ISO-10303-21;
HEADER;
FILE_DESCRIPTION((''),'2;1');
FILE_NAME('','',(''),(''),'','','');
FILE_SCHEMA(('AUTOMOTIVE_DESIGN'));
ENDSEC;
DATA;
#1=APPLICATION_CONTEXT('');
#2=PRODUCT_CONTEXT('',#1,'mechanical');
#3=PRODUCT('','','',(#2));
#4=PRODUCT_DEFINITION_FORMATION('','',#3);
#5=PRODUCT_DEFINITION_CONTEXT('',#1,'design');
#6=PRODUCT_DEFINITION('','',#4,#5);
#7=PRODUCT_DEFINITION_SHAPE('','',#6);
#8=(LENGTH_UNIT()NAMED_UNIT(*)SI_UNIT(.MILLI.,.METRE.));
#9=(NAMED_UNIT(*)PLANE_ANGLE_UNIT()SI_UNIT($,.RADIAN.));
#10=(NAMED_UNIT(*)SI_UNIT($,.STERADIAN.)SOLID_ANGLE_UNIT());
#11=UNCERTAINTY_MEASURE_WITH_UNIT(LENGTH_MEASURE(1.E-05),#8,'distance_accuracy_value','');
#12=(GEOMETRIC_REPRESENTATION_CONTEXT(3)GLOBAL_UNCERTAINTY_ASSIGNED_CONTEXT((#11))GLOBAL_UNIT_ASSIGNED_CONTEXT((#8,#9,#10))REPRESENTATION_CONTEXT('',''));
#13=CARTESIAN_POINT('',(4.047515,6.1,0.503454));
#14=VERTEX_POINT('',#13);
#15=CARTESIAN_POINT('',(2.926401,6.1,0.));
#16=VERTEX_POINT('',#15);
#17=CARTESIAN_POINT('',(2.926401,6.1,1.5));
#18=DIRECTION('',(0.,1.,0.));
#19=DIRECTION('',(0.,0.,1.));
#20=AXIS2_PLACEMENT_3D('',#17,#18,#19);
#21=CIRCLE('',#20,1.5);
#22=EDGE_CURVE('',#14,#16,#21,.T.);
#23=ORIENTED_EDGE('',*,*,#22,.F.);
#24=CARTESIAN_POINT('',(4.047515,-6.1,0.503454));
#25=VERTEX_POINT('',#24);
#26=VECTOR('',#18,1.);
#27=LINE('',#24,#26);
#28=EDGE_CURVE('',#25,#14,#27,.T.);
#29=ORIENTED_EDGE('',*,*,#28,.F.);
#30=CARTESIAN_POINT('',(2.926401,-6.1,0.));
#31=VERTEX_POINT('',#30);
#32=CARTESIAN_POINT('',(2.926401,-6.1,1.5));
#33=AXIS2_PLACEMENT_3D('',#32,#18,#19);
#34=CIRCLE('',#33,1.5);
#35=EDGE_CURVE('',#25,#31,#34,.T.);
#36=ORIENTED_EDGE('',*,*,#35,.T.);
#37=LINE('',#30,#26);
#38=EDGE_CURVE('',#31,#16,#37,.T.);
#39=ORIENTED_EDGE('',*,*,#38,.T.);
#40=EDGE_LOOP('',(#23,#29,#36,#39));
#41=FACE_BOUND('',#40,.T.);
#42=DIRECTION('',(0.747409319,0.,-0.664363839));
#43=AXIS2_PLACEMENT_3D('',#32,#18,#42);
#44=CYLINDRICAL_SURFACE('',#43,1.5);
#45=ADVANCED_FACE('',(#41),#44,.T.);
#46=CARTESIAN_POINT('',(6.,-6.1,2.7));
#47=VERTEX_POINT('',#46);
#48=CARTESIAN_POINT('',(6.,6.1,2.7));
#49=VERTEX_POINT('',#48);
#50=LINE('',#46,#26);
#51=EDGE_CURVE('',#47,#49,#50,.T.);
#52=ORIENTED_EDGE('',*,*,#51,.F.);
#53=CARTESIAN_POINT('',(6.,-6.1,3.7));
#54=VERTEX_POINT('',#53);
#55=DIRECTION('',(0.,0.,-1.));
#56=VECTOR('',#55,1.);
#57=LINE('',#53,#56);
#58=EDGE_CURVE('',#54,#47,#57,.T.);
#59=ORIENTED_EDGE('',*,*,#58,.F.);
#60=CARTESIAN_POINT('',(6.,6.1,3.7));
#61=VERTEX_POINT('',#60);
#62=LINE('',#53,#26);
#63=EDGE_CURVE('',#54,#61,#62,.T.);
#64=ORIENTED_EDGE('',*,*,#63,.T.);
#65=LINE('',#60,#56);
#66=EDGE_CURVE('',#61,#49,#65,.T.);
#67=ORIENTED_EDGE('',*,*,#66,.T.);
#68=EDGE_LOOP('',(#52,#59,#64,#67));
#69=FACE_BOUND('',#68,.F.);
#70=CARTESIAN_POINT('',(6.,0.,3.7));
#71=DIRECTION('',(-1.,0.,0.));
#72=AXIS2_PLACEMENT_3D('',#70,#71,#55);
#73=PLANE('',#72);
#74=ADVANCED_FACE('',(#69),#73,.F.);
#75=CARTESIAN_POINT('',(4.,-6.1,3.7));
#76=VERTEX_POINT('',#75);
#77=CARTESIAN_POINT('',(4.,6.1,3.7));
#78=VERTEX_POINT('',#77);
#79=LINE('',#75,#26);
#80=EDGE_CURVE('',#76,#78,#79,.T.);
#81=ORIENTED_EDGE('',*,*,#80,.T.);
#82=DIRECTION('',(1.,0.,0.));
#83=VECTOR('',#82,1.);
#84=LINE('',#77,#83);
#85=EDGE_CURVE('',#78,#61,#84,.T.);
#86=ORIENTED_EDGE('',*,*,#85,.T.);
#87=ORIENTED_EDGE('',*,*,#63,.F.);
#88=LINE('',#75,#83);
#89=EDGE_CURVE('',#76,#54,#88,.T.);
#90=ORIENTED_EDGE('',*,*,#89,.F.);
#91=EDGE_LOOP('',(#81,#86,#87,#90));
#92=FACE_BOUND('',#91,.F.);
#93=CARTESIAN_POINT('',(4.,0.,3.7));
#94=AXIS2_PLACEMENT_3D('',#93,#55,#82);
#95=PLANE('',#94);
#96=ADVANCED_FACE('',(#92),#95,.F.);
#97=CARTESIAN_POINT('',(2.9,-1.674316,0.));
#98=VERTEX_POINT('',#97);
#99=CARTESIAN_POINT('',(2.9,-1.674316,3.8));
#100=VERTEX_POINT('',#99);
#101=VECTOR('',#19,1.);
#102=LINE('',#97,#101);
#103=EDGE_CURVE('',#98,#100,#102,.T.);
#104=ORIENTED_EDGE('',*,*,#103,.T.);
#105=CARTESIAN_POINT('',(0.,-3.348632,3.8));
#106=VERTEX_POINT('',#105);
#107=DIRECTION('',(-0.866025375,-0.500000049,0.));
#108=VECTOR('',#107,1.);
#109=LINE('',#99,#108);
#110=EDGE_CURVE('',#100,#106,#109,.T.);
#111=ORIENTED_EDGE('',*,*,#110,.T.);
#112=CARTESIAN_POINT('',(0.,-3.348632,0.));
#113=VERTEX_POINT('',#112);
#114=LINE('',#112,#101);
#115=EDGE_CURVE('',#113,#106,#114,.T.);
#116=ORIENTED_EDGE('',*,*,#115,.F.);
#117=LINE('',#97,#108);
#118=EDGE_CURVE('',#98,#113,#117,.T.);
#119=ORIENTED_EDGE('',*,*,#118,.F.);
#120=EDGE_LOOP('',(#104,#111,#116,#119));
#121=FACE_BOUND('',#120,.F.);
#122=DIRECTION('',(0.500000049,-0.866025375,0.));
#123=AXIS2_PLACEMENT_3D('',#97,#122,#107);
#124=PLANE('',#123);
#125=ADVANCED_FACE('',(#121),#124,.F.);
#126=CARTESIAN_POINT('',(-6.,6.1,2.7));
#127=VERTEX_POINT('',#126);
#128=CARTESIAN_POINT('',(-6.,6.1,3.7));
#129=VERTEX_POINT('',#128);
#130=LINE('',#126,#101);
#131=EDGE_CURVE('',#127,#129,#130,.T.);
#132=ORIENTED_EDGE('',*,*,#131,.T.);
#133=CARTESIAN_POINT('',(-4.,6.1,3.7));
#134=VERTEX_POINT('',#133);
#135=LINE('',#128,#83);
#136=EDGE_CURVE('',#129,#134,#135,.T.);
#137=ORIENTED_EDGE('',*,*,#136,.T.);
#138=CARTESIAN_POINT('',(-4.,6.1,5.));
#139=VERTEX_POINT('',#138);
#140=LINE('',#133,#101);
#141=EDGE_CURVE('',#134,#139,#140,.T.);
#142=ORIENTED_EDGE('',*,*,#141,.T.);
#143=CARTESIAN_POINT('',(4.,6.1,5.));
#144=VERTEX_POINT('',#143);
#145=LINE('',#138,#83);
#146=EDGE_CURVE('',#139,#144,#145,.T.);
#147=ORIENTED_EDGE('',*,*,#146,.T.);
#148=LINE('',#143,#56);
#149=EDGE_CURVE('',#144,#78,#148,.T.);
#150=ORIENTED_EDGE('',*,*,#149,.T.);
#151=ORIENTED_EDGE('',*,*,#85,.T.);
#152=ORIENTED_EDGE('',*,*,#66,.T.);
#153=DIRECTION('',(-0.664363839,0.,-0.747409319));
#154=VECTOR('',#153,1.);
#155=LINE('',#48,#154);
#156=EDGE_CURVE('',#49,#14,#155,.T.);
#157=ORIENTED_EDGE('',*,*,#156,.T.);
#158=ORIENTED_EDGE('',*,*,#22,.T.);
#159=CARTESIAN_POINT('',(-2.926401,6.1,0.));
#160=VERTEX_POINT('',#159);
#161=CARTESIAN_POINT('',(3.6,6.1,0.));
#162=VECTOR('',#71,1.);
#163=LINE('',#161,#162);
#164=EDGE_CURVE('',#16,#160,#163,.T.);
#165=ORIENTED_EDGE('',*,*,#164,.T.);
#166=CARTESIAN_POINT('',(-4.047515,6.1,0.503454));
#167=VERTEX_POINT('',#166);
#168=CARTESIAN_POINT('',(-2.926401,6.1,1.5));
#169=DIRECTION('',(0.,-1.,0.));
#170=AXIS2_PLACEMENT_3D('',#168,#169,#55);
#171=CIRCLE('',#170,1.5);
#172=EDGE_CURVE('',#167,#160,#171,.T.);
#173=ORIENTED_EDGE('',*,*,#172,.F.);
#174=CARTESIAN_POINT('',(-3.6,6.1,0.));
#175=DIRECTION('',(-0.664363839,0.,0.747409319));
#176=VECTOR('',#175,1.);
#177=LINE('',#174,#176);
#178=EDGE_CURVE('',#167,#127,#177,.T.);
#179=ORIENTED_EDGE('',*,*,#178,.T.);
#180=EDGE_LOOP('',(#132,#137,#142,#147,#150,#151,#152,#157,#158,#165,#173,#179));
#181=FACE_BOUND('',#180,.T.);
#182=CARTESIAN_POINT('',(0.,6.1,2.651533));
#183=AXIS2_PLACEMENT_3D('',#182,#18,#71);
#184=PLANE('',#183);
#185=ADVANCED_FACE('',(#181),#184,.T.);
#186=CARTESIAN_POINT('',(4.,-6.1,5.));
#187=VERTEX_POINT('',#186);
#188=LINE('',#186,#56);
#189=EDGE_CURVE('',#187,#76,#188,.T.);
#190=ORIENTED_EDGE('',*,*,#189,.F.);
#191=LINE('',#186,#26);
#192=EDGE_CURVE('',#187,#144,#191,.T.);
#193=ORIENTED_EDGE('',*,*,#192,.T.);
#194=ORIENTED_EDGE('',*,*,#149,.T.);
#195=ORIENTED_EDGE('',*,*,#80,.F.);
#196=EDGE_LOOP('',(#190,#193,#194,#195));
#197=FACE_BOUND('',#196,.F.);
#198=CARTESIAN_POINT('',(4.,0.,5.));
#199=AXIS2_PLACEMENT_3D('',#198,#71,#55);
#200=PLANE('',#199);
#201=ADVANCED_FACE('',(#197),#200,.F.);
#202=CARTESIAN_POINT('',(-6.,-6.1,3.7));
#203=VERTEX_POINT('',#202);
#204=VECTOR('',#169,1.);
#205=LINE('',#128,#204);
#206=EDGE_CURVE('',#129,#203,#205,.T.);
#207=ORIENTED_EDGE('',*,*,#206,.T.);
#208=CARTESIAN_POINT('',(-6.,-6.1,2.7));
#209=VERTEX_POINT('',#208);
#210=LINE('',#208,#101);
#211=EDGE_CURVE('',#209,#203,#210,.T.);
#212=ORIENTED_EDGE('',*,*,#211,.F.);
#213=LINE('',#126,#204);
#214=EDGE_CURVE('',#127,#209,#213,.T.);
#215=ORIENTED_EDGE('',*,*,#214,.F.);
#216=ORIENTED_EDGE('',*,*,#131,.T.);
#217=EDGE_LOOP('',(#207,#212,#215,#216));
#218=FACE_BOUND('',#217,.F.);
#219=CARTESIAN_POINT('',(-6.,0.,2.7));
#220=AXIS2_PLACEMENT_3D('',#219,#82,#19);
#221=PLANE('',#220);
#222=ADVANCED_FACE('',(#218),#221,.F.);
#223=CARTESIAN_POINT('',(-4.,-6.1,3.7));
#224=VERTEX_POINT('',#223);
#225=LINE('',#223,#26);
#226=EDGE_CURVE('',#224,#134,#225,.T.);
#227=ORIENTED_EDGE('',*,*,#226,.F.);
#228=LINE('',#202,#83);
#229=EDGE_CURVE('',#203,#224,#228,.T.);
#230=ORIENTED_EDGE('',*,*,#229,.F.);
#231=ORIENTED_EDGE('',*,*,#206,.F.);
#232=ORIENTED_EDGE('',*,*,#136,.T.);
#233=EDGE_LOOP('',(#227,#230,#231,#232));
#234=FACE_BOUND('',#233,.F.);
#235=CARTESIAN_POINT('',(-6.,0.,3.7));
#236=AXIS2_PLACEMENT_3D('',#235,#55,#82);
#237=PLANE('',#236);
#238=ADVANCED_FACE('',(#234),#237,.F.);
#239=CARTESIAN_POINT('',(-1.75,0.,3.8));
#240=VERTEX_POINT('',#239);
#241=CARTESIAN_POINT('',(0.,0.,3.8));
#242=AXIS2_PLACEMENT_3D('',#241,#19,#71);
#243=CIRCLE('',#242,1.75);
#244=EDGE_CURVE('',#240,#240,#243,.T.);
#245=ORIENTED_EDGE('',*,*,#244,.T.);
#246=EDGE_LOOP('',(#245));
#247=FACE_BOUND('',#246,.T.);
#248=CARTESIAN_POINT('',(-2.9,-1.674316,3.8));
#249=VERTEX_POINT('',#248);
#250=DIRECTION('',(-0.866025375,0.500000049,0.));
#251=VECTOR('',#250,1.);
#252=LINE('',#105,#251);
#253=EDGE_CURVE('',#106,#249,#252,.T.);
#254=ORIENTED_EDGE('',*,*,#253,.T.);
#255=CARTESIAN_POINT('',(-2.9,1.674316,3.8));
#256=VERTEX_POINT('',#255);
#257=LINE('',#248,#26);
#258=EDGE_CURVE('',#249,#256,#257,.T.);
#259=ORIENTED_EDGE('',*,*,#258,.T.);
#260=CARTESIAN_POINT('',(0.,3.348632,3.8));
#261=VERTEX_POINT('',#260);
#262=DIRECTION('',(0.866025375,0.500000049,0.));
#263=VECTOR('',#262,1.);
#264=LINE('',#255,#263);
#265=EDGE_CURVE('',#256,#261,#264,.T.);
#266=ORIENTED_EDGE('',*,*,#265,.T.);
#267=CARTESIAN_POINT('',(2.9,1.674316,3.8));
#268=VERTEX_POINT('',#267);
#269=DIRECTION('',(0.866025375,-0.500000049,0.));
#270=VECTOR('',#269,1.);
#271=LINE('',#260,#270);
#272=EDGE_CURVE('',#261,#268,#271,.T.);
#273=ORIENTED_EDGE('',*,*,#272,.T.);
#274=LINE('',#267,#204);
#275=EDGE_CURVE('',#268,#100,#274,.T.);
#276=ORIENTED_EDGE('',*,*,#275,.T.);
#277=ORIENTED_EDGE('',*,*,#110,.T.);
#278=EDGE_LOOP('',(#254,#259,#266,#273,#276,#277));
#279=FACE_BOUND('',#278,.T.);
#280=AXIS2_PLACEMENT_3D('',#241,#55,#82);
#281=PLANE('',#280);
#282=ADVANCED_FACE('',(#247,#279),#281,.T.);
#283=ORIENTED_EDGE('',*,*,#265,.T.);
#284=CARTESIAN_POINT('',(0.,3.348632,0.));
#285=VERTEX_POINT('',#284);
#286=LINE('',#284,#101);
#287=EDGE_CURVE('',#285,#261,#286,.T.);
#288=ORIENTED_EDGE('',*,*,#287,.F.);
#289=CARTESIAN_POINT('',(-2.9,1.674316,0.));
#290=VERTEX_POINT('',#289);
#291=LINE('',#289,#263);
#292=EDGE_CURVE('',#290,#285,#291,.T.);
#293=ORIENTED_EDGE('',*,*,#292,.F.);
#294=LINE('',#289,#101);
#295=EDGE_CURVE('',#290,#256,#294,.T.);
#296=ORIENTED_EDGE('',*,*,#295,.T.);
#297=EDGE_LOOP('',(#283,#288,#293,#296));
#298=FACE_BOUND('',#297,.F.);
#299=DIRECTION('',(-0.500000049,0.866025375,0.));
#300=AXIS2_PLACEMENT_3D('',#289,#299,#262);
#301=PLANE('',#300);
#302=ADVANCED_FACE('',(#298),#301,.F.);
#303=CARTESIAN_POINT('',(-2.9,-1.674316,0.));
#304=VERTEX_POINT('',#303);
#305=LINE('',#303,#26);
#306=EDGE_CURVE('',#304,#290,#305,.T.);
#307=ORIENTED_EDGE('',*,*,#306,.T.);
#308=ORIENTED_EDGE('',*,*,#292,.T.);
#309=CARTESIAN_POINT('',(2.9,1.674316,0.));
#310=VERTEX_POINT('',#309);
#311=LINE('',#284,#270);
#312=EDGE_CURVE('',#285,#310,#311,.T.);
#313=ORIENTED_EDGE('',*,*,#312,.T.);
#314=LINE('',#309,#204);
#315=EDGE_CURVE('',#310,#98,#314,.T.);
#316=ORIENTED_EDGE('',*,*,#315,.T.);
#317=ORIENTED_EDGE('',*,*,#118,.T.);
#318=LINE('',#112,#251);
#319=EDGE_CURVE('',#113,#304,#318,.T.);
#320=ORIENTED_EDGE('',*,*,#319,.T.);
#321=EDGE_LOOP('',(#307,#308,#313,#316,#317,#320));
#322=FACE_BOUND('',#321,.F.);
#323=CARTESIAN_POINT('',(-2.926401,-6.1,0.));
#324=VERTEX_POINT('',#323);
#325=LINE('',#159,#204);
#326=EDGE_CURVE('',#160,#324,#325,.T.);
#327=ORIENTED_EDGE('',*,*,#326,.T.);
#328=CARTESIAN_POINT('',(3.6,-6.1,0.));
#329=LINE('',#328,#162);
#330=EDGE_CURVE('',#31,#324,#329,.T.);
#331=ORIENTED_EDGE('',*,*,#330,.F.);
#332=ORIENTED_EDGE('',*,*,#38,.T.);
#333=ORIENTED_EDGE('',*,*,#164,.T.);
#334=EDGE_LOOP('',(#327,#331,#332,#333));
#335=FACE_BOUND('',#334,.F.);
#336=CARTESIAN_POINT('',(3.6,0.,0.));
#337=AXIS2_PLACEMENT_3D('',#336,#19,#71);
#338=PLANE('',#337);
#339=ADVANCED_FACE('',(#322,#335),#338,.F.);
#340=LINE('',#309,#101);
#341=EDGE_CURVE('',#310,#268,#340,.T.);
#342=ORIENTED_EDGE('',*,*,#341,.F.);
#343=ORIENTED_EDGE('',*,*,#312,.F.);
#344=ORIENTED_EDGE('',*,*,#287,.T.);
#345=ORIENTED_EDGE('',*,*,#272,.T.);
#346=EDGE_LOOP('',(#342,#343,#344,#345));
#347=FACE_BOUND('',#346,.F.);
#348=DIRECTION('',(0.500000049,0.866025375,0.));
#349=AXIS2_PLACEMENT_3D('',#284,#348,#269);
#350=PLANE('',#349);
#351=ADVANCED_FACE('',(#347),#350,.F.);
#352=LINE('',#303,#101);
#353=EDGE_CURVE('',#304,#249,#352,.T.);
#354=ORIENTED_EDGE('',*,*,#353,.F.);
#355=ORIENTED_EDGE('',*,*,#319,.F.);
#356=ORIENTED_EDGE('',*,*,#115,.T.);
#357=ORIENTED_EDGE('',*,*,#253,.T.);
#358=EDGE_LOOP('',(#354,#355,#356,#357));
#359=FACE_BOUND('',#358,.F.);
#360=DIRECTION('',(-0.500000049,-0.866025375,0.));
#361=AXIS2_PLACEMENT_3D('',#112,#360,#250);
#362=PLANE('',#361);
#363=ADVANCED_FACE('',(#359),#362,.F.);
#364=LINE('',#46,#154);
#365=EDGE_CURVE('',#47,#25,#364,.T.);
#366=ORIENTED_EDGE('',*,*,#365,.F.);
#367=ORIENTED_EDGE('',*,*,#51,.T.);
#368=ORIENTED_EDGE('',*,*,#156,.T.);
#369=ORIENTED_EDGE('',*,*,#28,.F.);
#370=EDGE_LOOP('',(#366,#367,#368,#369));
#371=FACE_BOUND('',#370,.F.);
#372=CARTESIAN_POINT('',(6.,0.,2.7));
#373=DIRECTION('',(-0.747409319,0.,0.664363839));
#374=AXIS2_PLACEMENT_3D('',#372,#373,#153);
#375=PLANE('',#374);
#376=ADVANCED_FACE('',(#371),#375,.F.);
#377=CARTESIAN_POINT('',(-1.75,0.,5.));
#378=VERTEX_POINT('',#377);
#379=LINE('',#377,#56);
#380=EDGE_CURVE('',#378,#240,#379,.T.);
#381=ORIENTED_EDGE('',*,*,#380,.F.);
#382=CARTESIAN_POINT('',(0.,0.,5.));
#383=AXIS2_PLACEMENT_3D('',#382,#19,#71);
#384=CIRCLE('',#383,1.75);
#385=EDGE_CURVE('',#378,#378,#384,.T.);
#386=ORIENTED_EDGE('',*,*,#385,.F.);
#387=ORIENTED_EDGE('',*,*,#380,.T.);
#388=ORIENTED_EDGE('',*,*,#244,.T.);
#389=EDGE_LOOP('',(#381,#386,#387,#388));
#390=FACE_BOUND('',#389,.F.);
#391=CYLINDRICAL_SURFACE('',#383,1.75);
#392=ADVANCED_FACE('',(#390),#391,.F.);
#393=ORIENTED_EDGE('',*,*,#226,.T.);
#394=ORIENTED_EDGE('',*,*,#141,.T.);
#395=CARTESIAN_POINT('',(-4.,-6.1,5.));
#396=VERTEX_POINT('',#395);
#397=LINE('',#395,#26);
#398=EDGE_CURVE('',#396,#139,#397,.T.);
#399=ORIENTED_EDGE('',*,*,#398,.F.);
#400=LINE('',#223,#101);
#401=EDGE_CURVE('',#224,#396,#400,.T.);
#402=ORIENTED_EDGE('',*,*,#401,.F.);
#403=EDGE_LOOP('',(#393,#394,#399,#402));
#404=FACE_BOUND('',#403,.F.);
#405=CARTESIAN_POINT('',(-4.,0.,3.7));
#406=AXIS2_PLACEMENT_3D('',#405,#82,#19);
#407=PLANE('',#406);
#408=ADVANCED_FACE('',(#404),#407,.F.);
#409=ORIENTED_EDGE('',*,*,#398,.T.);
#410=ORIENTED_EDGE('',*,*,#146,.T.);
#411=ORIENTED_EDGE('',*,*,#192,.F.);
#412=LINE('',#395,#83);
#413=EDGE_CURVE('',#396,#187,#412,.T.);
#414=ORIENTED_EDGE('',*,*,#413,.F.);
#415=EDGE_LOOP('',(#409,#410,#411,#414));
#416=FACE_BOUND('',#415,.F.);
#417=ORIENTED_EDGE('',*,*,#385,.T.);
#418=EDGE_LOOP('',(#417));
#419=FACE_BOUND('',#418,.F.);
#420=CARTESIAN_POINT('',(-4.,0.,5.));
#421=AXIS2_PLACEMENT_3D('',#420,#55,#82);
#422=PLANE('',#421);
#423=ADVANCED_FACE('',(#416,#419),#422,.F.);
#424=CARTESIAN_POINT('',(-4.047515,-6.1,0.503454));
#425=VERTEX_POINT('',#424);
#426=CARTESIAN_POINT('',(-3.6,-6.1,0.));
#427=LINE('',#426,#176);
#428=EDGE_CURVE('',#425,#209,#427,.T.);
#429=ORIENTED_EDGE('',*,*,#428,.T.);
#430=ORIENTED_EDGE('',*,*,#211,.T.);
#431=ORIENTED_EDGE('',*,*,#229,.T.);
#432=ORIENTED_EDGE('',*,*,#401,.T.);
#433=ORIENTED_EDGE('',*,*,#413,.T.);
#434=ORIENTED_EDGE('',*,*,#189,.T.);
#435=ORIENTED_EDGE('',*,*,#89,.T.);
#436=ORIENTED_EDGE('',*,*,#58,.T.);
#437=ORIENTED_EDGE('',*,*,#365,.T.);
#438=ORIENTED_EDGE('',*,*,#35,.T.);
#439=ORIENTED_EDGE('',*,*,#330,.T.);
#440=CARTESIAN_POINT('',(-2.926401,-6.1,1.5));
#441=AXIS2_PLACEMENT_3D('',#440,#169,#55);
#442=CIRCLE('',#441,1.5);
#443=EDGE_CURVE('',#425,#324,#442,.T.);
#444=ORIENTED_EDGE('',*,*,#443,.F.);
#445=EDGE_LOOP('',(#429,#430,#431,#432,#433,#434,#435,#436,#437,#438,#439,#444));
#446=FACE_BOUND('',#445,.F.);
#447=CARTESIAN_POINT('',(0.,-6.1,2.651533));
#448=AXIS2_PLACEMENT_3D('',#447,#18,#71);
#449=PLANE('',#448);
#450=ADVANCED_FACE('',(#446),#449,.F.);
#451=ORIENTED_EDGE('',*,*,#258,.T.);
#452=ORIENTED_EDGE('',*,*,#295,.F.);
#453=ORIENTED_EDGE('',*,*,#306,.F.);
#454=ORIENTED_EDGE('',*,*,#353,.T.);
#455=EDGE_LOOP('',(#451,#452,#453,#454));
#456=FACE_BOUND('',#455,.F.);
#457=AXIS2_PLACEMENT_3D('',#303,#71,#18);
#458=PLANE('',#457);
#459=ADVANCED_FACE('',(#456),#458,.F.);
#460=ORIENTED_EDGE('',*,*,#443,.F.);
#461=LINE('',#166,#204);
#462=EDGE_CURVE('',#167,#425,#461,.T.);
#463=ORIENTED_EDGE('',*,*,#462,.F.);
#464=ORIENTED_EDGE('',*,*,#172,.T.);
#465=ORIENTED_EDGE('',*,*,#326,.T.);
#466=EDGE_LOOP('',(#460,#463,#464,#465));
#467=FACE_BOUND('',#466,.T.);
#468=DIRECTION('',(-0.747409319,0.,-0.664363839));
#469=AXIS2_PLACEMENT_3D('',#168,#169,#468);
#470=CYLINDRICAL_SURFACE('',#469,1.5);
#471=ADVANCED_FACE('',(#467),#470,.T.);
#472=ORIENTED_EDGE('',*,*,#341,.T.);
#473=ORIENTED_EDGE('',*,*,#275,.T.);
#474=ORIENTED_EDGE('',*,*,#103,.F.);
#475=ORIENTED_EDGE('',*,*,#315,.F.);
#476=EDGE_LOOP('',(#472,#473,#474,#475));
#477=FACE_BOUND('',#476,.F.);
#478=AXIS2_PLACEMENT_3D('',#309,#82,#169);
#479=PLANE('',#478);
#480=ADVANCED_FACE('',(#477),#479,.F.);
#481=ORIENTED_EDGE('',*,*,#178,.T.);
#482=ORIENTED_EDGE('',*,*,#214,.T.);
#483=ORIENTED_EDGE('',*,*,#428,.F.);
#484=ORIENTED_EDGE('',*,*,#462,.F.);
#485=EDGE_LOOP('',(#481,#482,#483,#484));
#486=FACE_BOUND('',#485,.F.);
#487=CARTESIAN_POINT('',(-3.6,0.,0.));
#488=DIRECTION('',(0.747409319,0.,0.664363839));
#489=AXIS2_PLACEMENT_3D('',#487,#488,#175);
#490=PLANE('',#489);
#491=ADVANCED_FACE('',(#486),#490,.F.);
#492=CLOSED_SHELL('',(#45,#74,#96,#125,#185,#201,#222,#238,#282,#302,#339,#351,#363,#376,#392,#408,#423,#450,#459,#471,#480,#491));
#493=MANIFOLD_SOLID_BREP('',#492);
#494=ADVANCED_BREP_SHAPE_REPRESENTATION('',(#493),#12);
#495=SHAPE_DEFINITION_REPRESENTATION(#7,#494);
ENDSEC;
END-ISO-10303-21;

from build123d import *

# Parameters (mm, degrees)
PAD_DEPTH       = 6.1
SKETCH001_R     = 1.75
POCKET_DEPTH    = 5.001
POCKET001_DEPTH = 3.8
FILLET_R        = 1.5


with BuildPart() as part:
    # Sketch → Pad (new body, symmetric)
    with BuildSketch(Plane.XZ):
        Polygon((-6, 3.7), (-4, 3.7), (-4, 5), (4, 5), (4, 3.7), (6, 3.7), (6, 2.7), (3.6, 0), (-3.6, 0), (-6, 2.7), align=None)
    extrude(amount=PAD_DEPTH, both=True)

    # Sketch001 (on Face4 of Pad) → Pocket (cut, through all)
    with BuildSketch(Plane(origin=(0, 0, 5), x_dir=(-1, 0, 0), z_dir=(0, 0, 1))):
        Circle(SKETCH001_R)
    extrude(amount=-POCKET_DEPTH, mode=Mode.SUBTRACT)

    # Sketch002 (on Face7 of Pocket) → Pocket001 (cut)
    with BuildSketch(Plane(origin=(0, 0, 0), x_dir=(1, 0, 0), z_dir=(0, 0, -1))):
        Polygon((2.9, 1.674316), (0, 3.348632), (-2.9, 1.674316), (-2.9, -1.674316), (0, -3.348632), (2.9, -1.674316), align=None)
    extrude(amount=-POCKET001_DEPTH, mode=Mode.SUBTRACT)

    # Fillet
    fillet_edges = [part.edges().sort_by_distance(p)[0] for p in [
        (3.6, 0, 0),
        (-3.6, 0, 0),
    ]]
    fillet(fillet_edges, radius=FILLET_R)


solid = part.part
